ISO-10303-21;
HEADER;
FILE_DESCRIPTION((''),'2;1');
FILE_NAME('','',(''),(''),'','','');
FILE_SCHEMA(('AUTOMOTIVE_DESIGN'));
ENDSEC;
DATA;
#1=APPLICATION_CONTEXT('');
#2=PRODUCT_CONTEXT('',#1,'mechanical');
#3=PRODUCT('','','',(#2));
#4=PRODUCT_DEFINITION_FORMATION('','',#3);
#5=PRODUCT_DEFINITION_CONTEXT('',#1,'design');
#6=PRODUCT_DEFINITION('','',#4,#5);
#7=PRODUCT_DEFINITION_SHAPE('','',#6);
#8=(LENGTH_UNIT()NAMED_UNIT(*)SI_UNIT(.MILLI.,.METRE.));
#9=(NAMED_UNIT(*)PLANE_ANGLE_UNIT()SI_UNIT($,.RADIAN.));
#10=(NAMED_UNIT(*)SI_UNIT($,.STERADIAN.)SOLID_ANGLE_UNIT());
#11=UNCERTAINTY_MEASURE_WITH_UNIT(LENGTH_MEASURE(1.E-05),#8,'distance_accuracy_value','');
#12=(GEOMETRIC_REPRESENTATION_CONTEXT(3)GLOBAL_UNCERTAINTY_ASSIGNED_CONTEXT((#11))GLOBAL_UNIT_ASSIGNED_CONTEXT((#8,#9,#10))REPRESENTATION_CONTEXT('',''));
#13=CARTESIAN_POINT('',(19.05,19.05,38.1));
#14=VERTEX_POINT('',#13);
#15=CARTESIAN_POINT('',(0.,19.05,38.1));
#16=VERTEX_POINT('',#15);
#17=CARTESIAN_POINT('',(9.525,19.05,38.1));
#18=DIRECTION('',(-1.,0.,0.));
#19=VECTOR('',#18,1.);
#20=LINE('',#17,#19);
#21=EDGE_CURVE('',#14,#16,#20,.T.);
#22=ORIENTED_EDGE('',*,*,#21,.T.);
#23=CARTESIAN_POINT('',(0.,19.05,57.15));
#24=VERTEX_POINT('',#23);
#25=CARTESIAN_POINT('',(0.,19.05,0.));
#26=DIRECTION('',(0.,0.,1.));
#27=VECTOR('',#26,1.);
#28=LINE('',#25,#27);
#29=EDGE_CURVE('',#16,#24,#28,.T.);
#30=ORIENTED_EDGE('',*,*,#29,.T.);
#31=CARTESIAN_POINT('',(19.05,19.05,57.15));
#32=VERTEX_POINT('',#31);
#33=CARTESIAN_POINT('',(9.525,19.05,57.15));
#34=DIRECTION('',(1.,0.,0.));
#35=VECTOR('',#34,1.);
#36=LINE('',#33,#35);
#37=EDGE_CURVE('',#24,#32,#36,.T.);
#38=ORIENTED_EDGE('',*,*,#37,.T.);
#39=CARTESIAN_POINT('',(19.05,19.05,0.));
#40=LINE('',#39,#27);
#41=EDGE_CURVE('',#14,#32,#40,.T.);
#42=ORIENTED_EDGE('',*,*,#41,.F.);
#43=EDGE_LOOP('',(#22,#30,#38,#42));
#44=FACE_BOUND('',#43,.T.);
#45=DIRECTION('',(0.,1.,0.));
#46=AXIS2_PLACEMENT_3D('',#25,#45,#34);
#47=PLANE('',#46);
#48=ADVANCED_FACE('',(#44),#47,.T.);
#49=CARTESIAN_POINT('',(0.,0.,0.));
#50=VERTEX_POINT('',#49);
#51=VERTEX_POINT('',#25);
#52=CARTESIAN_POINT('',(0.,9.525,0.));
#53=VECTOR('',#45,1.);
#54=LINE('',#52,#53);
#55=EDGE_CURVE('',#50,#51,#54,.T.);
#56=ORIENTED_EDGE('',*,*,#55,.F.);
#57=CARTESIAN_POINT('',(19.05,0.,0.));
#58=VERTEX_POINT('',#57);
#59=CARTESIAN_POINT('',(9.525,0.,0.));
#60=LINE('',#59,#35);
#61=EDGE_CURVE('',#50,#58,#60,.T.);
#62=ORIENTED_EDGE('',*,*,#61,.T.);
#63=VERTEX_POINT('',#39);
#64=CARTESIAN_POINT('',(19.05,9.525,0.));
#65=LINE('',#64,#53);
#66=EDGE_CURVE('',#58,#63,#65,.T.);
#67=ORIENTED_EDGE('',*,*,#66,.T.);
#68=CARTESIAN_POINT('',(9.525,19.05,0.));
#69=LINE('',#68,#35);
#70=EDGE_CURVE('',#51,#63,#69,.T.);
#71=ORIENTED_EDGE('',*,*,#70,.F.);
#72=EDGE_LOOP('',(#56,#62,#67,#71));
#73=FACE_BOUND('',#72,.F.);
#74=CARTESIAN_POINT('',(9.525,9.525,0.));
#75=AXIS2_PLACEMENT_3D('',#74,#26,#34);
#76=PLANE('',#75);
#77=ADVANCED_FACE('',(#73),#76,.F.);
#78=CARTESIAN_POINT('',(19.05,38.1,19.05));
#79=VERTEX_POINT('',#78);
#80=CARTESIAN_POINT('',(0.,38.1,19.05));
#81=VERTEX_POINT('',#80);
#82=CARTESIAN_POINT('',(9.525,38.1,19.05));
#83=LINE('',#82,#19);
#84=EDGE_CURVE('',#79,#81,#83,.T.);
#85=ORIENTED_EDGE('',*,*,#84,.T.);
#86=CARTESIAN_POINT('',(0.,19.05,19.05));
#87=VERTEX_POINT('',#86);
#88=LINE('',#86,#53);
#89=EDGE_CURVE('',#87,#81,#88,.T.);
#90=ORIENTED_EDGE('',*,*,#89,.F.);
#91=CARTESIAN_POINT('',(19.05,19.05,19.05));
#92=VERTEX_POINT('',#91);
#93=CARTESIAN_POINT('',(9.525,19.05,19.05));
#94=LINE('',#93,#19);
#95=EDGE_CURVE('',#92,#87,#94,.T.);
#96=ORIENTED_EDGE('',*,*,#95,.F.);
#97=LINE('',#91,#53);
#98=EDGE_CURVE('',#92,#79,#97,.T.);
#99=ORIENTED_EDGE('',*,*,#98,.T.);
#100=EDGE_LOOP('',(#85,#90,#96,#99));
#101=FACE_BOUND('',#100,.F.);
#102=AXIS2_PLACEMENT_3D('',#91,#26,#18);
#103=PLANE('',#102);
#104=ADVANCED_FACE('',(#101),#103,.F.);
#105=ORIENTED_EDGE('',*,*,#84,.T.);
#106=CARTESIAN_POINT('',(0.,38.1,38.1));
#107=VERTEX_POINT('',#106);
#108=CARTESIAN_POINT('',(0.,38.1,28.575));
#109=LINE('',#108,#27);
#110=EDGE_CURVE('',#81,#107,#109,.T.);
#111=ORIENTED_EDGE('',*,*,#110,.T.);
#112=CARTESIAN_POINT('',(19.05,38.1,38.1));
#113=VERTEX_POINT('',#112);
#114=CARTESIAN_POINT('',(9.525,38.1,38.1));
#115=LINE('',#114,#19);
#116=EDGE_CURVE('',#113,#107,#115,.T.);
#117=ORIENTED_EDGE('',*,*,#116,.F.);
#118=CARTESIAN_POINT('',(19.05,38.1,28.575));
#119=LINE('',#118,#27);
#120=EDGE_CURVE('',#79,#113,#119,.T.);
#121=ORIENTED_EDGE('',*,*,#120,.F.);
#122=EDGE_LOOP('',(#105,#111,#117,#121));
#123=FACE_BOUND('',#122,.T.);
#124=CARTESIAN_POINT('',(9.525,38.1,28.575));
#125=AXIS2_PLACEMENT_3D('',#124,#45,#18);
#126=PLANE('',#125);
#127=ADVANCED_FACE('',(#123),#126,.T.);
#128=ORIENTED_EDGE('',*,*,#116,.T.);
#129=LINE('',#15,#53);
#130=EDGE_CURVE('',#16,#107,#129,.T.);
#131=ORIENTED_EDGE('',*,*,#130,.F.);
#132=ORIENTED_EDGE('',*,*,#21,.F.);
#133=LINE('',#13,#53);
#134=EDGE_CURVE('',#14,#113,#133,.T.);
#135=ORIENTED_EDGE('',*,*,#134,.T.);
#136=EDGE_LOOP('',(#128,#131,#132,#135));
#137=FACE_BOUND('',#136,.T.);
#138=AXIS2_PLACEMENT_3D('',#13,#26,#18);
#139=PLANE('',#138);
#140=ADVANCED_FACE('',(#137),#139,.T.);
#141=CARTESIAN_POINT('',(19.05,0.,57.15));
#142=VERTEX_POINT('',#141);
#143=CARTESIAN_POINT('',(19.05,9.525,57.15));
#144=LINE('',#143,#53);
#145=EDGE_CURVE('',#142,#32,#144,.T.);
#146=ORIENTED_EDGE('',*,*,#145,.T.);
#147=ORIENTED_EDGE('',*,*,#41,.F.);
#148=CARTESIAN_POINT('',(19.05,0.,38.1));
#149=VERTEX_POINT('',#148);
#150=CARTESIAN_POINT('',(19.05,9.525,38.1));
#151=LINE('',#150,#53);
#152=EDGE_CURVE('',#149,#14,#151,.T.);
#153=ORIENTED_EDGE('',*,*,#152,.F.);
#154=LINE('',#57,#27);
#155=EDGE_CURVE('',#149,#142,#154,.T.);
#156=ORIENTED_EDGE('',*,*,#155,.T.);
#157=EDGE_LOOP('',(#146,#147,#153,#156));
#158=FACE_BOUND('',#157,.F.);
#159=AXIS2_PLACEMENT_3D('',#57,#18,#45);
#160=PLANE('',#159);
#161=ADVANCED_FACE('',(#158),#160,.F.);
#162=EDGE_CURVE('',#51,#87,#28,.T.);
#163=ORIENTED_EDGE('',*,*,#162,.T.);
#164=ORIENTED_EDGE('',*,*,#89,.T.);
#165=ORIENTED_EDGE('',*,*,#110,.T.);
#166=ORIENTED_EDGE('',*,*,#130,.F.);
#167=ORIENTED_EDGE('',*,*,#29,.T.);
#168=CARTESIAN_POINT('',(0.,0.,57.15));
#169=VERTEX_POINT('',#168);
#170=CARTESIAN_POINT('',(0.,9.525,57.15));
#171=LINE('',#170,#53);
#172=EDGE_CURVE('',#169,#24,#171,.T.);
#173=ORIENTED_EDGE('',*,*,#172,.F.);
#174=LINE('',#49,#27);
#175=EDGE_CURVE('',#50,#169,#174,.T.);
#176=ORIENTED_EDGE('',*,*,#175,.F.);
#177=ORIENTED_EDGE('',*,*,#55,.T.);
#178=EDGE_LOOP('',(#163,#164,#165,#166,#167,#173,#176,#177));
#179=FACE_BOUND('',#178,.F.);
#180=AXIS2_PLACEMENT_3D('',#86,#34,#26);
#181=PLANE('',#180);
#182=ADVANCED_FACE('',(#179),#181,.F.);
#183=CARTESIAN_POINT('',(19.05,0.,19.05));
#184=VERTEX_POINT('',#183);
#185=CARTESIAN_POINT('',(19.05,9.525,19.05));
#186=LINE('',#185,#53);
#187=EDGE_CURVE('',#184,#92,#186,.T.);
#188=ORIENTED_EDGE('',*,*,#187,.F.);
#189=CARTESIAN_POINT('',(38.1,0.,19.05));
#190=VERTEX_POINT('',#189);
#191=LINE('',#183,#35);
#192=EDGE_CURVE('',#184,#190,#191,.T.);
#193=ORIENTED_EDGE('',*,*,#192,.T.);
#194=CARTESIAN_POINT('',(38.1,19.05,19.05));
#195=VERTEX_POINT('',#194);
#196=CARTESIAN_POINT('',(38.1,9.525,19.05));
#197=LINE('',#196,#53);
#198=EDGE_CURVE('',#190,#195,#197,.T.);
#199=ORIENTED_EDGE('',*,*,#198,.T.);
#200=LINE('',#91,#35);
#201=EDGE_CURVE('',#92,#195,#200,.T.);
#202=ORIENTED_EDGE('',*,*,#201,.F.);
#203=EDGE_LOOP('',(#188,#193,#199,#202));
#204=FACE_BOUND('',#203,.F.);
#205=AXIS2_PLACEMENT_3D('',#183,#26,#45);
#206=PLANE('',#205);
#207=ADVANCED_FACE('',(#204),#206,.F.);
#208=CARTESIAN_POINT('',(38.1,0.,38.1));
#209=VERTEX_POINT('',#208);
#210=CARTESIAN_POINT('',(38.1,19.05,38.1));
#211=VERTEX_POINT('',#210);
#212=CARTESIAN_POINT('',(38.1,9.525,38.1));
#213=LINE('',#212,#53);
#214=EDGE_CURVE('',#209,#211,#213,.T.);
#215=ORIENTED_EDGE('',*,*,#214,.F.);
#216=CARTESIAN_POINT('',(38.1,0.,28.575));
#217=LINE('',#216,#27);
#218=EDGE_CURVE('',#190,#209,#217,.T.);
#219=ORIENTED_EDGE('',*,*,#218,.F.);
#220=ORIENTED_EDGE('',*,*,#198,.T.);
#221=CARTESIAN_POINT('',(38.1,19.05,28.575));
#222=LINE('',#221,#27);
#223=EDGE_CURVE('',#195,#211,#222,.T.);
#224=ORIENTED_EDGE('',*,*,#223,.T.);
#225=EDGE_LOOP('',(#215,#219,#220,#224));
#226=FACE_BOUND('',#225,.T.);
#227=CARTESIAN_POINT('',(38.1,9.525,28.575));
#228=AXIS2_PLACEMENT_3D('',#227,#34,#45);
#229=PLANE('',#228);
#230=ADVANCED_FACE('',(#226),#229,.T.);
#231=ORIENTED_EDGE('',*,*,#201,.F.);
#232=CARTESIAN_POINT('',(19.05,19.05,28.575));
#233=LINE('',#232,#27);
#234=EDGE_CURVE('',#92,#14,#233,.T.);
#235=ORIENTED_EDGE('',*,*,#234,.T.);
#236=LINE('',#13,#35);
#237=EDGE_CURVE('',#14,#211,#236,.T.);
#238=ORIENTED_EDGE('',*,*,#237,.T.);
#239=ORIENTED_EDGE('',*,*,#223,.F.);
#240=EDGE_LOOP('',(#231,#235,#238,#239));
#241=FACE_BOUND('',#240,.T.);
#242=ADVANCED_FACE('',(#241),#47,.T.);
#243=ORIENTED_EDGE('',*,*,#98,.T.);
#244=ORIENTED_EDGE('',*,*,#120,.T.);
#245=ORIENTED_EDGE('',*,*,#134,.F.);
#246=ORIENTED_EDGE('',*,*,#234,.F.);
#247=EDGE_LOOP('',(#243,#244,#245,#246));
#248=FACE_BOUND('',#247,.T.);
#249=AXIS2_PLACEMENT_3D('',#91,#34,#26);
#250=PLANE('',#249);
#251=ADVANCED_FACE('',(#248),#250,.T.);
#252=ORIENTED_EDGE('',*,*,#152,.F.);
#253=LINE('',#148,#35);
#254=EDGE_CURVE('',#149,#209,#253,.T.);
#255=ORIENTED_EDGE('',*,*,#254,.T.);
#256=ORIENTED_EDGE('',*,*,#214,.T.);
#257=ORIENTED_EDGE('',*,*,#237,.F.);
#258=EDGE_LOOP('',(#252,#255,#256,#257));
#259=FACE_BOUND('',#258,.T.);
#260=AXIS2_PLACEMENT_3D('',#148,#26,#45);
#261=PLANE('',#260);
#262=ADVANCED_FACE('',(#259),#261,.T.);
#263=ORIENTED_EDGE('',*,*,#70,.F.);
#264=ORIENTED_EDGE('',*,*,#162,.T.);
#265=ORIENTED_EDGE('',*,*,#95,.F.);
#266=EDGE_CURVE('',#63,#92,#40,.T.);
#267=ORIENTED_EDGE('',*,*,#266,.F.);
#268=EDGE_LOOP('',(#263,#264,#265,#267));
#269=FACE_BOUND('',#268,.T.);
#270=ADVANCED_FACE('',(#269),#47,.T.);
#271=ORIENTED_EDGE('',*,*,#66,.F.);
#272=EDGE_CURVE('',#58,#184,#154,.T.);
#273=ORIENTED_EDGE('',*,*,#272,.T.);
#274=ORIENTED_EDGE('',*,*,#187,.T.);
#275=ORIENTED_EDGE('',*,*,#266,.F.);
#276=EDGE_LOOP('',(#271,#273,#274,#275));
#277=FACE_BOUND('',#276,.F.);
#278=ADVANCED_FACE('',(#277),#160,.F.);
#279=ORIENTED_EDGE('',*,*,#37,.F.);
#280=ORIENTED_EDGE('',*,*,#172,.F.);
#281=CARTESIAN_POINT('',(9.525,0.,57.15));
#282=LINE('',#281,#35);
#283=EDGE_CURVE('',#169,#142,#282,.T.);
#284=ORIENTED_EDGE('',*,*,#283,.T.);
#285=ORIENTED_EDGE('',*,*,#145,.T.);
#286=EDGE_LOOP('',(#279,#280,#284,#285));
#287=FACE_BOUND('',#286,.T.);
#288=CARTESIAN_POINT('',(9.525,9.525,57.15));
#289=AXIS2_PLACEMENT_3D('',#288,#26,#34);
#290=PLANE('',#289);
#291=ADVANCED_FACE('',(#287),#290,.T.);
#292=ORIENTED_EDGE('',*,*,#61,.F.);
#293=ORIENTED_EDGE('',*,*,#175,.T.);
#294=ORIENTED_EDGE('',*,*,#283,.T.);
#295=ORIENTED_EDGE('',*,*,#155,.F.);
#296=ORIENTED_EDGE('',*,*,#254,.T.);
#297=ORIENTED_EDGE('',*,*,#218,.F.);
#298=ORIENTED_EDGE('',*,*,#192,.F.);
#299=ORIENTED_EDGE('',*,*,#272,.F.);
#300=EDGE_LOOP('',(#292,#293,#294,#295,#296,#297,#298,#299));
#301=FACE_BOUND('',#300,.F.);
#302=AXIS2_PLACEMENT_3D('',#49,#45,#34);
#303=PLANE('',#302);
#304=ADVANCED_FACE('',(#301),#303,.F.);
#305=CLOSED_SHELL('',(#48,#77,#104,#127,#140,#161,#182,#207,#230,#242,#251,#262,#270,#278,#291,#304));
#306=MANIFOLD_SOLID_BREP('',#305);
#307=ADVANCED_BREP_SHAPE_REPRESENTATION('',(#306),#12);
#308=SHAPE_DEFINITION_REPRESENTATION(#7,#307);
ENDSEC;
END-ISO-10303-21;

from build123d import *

# Parameters (mm, degrees)
F0_W     = 19.05
F0_H     = 19.05
F1_DEPTH = 57.15
F2_W     = 19.05
F2_H     = 19.05
F3_DEPTH = 19.05
F4_W     = 19.05
F4_H     = 19.05
F5_DEPTH = 19.05


with BuildPart() as f1:
    # F0 (on Top) → F1 (new body)
    with BuildSketch(Plane.XY):
        with Locations((9.525, 9.525)):
            Rectangle(F0_W, F0_H)
    extrude(amount=F1_DEPTH)

    # F2 (on face) → F3 (join)
    with BuildSketch(Plane.YZ.offset(19.05)):
        with Locations((9.525, 28.575)):
            Rectangle(F2_W, F2_H)
    extrude(amount=F3_DEPTH)

    # F4 (on face) → F5 (join)
    with BuildSketch(Plane(origin=(0, 19.05, 0), x_dir=(-1, 0, 0), z_dir=(0, 1, 0))):
        with Locations((-9.525, 28.575)):
            Rectangle(F4_W, F4_H)
    extrude(amount=F5_DEPTH)


solid = f1.part
